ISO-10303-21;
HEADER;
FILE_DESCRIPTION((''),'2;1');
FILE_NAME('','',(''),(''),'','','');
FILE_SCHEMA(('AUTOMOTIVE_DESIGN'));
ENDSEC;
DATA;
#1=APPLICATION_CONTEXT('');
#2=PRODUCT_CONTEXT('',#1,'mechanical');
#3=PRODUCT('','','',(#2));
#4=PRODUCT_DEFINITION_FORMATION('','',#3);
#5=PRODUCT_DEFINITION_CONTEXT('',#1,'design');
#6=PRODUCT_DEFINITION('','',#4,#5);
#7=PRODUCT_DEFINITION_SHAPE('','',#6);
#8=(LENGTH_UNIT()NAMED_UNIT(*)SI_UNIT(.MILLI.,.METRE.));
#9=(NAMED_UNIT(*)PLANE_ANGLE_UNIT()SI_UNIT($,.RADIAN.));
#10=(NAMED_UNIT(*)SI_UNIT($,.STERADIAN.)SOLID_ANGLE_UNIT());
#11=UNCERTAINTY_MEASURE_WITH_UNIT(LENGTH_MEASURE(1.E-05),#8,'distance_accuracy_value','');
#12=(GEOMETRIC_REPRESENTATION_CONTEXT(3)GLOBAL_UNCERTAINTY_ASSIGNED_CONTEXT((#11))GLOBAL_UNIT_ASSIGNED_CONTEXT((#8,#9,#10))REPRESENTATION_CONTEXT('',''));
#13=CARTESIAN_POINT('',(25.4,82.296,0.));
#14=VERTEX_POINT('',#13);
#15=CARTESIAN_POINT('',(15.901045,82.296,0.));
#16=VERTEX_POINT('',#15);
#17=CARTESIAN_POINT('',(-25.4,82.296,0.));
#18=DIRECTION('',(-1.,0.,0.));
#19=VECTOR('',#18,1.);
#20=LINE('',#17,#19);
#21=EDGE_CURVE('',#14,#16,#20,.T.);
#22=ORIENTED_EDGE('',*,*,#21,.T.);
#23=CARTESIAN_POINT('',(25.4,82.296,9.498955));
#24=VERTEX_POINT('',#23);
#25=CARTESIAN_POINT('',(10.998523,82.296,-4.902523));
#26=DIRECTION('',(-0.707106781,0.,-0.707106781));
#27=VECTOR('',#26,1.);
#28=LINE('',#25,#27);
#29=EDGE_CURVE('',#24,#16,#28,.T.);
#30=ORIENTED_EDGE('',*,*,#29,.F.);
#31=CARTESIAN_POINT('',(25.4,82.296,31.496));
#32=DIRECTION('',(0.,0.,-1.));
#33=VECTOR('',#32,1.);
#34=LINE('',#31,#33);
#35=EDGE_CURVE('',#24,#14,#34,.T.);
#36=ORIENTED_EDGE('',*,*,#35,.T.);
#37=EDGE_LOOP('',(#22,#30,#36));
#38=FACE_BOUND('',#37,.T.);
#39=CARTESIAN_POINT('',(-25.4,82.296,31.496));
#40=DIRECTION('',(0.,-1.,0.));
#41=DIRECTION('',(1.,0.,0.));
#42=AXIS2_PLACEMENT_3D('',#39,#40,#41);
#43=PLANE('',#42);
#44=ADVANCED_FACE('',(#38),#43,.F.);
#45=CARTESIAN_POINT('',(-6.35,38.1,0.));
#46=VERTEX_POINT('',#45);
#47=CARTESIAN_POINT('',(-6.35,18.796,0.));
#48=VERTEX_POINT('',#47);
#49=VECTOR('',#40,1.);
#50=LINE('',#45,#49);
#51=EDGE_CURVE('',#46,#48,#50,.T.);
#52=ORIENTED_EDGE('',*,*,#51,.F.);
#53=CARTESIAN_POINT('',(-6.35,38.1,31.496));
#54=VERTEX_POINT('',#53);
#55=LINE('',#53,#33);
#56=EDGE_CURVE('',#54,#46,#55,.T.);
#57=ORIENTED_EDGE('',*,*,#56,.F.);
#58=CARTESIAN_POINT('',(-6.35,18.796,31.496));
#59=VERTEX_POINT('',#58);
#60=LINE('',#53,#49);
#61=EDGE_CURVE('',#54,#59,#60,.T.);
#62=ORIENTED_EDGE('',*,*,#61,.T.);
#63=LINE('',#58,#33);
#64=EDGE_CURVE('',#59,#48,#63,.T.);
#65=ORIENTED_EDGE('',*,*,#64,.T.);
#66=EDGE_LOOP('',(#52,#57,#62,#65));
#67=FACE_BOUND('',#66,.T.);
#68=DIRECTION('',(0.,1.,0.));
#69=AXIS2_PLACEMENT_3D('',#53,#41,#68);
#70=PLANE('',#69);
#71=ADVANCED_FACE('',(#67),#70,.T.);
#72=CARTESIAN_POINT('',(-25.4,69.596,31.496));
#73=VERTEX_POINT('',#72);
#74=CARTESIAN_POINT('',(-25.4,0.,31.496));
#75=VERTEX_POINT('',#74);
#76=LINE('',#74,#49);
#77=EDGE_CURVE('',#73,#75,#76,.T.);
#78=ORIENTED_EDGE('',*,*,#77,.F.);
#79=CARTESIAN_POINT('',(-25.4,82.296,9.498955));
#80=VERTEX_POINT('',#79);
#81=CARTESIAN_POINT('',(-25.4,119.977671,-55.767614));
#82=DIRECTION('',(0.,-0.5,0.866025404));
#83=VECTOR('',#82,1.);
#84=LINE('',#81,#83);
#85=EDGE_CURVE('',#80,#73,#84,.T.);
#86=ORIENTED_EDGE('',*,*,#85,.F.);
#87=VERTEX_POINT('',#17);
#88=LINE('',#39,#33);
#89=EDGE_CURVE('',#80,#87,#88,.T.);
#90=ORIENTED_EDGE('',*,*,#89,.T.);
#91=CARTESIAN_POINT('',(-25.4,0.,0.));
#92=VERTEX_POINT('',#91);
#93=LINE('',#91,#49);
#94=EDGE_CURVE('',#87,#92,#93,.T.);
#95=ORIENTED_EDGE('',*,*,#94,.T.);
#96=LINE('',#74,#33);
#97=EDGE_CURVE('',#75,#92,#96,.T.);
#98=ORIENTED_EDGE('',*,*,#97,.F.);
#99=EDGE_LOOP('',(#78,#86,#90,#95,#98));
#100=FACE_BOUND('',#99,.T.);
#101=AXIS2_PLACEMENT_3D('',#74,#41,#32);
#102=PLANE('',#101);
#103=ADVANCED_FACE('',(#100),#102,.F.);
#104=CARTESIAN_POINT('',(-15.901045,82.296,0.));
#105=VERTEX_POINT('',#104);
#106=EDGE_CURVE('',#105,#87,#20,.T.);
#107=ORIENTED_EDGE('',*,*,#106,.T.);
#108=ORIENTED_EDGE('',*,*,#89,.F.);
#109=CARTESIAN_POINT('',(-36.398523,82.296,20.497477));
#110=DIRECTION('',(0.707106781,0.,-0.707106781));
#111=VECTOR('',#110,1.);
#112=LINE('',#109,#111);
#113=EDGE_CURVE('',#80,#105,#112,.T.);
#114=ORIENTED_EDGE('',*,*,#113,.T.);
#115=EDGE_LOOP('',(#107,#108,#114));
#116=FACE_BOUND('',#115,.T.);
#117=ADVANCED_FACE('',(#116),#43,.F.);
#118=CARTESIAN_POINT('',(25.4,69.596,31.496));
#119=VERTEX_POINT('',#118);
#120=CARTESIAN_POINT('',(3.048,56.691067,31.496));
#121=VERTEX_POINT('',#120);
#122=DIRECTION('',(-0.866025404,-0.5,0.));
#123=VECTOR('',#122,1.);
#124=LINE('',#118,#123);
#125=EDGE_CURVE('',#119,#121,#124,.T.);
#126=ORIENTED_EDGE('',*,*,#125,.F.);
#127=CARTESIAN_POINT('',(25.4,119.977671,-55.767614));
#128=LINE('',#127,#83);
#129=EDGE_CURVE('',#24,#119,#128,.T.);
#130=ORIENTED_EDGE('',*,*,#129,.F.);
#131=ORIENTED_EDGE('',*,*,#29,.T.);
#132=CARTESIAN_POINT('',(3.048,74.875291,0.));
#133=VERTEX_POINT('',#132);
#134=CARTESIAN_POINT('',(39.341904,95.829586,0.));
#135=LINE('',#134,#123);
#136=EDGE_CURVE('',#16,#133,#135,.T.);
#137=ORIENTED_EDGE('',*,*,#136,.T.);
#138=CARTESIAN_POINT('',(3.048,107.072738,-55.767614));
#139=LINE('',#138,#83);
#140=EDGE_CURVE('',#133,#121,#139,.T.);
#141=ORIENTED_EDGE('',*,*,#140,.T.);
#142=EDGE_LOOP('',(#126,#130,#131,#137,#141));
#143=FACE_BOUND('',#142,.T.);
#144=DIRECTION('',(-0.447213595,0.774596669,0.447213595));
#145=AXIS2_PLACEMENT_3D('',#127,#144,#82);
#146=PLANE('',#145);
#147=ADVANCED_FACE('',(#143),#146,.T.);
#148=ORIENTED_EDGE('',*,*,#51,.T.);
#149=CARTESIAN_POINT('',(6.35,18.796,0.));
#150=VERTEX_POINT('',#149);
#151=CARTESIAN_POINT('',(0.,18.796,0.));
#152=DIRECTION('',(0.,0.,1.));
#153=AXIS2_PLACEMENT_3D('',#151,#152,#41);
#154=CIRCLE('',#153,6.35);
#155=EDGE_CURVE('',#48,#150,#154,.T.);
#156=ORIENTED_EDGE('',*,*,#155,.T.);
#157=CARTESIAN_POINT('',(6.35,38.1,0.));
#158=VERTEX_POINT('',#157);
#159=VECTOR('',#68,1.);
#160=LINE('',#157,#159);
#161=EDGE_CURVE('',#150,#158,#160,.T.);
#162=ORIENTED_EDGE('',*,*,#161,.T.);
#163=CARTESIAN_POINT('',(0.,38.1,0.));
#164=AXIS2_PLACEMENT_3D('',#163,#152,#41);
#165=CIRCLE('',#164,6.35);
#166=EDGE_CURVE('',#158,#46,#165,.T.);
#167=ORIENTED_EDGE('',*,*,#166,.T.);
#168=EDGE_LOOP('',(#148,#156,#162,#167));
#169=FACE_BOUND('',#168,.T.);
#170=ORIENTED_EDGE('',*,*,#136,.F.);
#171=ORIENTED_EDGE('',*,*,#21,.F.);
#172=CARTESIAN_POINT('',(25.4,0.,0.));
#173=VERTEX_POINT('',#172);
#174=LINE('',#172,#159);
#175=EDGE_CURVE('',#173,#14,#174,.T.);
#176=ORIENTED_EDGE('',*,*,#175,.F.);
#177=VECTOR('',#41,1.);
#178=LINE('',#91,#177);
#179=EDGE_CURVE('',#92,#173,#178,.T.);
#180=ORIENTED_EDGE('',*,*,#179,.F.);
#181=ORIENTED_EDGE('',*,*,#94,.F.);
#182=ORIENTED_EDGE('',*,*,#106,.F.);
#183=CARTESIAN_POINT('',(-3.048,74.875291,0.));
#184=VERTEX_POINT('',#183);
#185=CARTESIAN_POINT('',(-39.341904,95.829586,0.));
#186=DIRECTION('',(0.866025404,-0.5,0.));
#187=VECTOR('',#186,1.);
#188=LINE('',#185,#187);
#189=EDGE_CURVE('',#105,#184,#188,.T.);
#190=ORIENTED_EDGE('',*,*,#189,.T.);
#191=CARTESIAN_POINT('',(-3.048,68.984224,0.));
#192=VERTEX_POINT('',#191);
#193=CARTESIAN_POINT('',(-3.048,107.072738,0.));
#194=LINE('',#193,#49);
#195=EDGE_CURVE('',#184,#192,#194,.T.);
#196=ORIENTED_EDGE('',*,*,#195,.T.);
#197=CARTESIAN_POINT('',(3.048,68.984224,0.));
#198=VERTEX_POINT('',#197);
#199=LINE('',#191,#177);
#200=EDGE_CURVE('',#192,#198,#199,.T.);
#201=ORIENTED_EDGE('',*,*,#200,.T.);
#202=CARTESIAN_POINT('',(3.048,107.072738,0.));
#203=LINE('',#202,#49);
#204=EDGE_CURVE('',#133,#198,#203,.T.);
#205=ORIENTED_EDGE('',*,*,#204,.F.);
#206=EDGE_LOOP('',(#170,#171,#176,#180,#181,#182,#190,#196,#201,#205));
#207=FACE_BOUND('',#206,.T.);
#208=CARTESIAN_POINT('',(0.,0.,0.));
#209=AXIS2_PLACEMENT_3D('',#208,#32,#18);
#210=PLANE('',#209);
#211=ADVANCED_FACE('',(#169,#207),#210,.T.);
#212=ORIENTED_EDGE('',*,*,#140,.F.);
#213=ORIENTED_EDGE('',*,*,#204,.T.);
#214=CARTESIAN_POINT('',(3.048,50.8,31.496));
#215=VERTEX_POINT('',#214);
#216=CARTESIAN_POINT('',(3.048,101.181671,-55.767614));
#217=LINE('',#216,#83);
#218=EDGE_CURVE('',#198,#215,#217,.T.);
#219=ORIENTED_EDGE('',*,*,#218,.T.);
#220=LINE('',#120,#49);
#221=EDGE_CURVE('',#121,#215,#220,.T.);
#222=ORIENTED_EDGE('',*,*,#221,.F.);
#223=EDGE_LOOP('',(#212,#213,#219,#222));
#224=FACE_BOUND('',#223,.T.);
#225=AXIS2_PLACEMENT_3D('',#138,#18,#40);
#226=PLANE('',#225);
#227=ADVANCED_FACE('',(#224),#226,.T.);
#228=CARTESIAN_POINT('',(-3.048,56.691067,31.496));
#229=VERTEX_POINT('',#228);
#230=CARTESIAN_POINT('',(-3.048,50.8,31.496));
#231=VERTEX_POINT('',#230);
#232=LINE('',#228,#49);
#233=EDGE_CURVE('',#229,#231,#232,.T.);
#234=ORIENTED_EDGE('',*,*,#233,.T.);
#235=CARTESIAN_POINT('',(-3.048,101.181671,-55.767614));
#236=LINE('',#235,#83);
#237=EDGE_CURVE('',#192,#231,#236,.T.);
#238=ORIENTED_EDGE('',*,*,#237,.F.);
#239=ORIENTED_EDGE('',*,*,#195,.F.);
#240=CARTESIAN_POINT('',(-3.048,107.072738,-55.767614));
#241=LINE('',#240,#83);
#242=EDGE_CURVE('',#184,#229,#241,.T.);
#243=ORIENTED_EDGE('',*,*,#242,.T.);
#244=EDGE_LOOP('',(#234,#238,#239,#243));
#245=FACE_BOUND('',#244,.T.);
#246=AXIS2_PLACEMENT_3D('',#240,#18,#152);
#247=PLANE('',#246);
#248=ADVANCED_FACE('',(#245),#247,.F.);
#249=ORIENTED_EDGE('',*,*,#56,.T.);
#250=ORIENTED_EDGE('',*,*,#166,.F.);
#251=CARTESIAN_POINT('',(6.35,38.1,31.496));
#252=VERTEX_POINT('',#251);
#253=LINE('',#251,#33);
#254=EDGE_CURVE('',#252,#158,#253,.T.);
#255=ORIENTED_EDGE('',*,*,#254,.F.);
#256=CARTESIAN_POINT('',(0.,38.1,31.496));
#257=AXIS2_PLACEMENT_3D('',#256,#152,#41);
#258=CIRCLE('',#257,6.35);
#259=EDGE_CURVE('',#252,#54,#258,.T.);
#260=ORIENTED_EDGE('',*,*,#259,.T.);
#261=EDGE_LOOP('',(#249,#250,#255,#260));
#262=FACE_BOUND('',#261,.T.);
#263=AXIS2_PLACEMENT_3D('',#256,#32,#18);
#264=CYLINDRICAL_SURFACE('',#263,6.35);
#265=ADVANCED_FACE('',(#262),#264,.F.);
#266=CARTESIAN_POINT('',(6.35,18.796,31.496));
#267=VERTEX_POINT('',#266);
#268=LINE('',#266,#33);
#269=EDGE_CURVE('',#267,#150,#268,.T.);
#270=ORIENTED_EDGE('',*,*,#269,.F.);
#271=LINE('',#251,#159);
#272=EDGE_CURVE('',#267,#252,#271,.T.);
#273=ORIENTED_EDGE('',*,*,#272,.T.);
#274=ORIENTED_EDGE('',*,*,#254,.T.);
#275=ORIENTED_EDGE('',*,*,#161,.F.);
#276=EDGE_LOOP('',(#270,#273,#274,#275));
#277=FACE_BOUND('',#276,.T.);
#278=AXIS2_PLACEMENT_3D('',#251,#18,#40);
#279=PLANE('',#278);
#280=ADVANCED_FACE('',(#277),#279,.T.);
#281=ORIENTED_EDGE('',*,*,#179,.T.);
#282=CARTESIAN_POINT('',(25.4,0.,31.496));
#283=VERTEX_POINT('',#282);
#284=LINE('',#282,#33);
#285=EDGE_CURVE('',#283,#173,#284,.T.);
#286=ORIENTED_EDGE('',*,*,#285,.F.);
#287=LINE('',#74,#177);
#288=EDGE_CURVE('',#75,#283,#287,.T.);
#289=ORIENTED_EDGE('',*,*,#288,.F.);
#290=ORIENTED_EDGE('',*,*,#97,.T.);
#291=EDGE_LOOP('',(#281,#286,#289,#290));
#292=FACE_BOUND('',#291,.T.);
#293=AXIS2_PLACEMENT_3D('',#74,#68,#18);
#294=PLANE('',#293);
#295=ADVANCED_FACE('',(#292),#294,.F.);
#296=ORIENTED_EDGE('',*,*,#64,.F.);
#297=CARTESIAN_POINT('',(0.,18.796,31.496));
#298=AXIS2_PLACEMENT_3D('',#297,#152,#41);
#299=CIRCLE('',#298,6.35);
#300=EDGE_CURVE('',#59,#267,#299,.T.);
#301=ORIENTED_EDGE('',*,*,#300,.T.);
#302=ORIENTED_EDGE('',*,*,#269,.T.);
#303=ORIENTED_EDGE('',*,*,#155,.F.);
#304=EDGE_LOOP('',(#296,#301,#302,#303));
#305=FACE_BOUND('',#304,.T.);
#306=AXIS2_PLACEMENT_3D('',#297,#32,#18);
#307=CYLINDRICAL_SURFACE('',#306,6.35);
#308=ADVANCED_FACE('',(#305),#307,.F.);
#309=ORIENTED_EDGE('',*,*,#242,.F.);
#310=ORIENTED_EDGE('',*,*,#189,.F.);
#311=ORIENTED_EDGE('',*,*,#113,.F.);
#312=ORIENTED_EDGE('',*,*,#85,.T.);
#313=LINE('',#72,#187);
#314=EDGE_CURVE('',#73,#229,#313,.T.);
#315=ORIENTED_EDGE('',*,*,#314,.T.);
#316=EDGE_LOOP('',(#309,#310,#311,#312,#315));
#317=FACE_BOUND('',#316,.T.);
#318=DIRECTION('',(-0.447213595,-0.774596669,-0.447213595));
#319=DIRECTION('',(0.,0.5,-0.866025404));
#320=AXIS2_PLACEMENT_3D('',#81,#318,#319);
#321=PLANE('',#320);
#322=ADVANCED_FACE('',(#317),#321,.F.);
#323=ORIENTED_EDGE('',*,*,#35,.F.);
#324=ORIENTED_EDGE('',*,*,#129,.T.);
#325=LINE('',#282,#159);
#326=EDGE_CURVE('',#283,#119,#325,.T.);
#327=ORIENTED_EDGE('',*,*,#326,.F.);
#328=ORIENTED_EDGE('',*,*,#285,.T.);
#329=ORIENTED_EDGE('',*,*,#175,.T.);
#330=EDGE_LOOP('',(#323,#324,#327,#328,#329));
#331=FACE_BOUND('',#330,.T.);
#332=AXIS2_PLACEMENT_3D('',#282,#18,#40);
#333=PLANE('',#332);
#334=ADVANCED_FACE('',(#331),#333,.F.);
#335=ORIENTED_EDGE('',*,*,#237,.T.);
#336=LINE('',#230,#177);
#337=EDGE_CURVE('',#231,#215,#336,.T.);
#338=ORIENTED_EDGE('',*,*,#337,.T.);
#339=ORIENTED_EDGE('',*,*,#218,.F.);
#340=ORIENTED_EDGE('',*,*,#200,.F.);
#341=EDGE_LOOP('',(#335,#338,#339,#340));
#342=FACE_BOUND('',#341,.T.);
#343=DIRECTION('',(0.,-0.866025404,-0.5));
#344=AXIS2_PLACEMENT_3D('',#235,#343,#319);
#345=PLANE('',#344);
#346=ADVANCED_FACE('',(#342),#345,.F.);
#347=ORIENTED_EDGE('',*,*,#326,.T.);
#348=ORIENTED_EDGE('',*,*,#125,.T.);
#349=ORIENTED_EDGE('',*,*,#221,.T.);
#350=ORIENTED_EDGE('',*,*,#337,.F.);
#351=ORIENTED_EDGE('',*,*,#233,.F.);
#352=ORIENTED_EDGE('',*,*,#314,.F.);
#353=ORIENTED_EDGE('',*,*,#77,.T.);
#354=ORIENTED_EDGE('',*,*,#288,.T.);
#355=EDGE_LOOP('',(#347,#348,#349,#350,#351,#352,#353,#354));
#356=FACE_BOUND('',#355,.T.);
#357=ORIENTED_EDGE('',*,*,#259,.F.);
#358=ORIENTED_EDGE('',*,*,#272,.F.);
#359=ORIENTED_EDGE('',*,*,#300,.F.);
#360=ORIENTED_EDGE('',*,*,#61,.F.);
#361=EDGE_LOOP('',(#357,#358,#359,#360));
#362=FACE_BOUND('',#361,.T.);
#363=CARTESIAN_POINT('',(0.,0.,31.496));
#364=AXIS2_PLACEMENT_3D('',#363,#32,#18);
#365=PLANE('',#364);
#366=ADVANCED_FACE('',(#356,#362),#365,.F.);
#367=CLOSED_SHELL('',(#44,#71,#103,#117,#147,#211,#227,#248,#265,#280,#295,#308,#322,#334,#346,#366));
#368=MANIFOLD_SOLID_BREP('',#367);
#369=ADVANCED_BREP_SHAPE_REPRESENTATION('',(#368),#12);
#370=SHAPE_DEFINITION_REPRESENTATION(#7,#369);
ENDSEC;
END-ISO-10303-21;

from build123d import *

# Parameters (mm, degrees)
SKETCH1_W           = 50.8
SKETCH1_H           = 82.296
BOSS_EXTRUDE1_DEPTH = 31.496
CUT_EXTRUDE1_DEPTH  = 37.523148695


with BuildPart() as part:
    # Sketch1 → Boss-Extrude1 (new body)
    with BuildSketch(Plane.XY):
        with Locations((0, 41.148)):
            Rectangle(SKETCH1_W, SKETCH1_H)
        with BuildLine():
            Line((6.35, 38.1), (6.35, 18.796))
            ThreePointArc((6.35, 18.796), (0, 12.446), (-6.35, 18.796))
            Line((-6.35, 18.796), (-6.35, 38.1))
            ThreePointArc((-6.35, 38.1), (0, 44.45), (6.35, 38.1))
        make_face(mode=Mode.SUBTRACT)
    extrude(amount=BOSS_EXTRUDE1_DEPTH)

    # Sketch2 → Cut-Extrude1 (cut, through all, along a direction that is not the sketch's normal)
    with BuildSketch(Plane.XY.offset(31.496)):
        Polygon((-25.4, 69.596), (-3.048, 56.691066783), (-3.048, 50.8), (3.048, 50.8), (3.048, 56.691066783), (25.4, 69.596), (25.4, 82.296), (-25.4, 82.296), align=None)
    extrude(amount=-CUT_EXTRUDE1_DEPTH, dir=(0, -0.5, 0.866025404), mode=Mode.SUBTRACT)


solid = part.part
